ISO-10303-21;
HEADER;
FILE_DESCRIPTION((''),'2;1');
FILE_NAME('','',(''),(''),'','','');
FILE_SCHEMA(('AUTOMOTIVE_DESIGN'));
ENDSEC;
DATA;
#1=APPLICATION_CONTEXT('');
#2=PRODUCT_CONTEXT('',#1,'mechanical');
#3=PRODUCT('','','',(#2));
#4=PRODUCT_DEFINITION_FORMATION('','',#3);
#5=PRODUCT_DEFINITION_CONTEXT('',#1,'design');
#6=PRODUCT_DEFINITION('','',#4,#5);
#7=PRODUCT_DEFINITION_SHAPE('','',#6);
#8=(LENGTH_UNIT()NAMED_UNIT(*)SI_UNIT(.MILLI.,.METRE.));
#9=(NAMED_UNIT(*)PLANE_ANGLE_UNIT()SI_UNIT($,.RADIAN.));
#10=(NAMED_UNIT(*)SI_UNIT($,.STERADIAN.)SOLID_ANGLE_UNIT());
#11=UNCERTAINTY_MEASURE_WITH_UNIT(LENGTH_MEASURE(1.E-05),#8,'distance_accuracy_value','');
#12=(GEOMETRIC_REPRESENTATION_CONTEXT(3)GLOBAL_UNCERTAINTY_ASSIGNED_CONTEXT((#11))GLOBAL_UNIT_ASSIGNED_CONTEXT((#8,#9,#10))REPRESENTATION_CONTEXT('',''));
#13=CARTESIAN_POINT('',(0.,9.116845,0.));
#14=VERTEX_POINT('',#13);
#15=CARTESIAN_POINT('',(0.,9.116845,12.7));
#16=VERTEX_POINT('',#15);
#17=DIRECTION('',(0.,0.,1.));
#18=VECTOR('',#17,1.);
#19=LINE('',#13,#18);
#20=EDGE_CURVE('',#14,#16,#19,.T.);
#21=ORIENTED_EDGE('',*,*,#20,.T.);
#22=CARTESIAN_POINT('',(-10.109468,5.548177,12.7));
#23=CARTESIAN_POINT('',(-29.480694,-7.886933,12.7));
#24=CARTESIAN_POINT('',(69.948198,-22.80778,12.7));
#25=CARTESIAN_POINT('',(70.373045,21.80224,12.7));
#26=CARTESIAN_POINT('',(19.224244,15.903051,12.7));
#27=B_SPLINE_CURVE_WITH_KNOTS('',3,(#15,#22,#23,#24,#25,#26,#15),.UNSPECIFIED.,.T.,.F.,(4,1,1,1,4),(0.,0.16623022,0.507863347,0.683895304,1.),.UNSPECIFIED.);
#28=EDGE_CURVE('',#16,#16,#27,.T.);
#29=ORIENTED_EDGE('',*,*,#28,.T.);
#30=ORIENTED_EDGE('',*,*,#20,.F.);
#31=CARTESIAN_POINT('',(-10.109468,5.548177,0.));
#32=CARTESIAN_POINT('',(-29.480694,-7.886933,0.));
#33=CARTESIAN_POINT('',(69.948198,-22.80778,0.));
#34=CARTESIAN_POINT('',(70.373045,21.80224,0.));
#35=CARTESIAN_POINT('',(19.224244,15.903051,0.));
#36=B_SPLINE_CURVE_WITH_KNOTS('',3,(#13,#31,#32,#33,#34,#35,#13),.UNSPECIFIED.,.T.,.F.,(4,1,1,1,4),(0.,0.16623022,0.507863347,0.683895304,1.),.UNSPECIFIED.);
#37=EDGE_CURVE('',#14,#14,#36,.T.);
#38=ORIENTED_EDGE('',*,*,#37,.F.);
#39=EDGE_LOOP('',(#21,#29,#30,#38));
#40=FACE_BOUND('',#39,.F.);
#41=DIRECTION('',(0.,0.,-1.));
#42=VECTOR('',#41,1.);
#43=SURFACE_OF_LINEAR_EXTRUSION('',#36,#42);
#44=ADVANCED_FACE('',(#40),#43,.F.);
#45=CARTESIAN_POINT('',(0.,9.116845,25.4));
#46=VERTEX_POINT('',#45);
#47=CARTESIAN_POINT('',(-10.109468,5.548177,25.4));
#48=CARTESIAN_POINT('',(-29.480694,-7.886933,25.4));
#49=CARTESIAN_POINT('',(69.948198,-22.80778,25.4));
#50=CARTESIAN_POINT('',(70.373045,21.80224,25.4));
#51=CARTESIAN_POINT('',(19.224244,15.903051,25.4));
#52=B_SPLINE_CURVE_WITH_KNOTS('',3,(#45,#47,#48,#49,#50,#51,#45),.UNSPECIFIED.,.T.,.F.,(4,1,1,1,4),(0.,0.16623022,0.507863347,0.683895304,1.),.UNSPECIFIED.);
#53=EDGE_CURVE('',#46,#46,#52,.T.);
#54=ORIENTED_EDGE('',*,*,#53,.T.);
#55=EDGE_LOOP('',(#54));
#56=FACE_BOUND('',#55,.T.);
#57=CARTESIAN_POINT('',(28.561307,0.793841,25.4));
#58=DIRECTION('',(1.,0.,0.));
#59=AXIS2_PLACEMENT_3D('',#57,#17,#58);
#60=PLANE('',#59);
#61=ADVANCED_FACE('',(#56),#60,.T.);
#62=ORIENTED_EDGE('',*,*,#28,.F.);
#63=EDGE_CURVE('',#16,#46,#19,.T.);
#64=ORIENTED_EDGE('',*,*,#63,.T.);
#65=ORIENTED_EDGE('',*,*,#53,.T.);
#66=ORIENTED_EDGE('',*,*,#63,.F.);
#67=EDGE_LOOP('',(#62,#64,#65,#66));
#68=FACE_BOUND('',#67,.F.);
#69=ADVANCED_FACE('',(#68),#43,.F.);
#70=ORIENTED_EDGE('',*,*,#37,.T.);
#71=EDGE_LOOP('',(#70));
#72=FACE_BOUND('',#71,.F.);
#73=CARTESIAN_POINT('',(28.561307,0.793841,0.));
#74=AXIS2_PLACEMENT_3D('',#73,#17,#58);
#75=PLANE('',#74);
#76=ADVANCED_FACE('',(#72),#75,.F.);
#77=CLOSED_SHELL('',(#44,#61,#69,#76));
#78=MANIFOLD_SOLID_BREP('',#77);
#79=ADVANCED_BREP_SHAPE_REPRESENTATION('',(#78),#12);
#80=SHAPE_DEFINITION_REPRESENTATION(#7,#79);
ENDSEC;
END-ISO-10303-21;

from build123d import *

# Parameters (mm, degrees)
F1_DEPTH = 12.7
F2_DEPTH = 25.4


with BuildPart() as f1:
    # F0 (on Top) → F1 (new body)
    with BuildSketch(Plane.XY):
        with BuildLine():
            add(Edge.make_bspline(
                [(0, 9.1168445497), (-10.1094677871, 5.5481767391), (-29.4806938939, -7.8869325237), (69.9481975541, -22.8077795131), (70.3730453639, 21.8022398848), (19.2242435893, 15.9030513733), (0, 9.1168445497)],
                knots=[0, 0, 0, 0, 0.1662302202, 0.5078633472, 0.6838953037, 1, 1, 1, 1], degree=3))
        make_face()
    extrude(amount=F1_DEPTH)

    # F0 (on Top) → F2 (join)
    with BuildSketch(Plane.XY):
        with BuildLine():
            add(Edge.make_bspline(
                [(0, 9.1168445497), (-10.1094677871, 5.5481767391), (-29.4806938939, -7.8869325237), (69.9481975541, -22.8077795131), (70.3730453639, 21.8022398848), (19.2242435893, 15.9030513733), (0, 9.1168445497)],
                knots=[0, 0, 0, 0, 0.1662302202, 0.5078633472, 0.6838953037, 1, 1, 1, 1], degree=3))
        make_face()
    extrude(amount=F2_DEPTH)


solid = f1.part
